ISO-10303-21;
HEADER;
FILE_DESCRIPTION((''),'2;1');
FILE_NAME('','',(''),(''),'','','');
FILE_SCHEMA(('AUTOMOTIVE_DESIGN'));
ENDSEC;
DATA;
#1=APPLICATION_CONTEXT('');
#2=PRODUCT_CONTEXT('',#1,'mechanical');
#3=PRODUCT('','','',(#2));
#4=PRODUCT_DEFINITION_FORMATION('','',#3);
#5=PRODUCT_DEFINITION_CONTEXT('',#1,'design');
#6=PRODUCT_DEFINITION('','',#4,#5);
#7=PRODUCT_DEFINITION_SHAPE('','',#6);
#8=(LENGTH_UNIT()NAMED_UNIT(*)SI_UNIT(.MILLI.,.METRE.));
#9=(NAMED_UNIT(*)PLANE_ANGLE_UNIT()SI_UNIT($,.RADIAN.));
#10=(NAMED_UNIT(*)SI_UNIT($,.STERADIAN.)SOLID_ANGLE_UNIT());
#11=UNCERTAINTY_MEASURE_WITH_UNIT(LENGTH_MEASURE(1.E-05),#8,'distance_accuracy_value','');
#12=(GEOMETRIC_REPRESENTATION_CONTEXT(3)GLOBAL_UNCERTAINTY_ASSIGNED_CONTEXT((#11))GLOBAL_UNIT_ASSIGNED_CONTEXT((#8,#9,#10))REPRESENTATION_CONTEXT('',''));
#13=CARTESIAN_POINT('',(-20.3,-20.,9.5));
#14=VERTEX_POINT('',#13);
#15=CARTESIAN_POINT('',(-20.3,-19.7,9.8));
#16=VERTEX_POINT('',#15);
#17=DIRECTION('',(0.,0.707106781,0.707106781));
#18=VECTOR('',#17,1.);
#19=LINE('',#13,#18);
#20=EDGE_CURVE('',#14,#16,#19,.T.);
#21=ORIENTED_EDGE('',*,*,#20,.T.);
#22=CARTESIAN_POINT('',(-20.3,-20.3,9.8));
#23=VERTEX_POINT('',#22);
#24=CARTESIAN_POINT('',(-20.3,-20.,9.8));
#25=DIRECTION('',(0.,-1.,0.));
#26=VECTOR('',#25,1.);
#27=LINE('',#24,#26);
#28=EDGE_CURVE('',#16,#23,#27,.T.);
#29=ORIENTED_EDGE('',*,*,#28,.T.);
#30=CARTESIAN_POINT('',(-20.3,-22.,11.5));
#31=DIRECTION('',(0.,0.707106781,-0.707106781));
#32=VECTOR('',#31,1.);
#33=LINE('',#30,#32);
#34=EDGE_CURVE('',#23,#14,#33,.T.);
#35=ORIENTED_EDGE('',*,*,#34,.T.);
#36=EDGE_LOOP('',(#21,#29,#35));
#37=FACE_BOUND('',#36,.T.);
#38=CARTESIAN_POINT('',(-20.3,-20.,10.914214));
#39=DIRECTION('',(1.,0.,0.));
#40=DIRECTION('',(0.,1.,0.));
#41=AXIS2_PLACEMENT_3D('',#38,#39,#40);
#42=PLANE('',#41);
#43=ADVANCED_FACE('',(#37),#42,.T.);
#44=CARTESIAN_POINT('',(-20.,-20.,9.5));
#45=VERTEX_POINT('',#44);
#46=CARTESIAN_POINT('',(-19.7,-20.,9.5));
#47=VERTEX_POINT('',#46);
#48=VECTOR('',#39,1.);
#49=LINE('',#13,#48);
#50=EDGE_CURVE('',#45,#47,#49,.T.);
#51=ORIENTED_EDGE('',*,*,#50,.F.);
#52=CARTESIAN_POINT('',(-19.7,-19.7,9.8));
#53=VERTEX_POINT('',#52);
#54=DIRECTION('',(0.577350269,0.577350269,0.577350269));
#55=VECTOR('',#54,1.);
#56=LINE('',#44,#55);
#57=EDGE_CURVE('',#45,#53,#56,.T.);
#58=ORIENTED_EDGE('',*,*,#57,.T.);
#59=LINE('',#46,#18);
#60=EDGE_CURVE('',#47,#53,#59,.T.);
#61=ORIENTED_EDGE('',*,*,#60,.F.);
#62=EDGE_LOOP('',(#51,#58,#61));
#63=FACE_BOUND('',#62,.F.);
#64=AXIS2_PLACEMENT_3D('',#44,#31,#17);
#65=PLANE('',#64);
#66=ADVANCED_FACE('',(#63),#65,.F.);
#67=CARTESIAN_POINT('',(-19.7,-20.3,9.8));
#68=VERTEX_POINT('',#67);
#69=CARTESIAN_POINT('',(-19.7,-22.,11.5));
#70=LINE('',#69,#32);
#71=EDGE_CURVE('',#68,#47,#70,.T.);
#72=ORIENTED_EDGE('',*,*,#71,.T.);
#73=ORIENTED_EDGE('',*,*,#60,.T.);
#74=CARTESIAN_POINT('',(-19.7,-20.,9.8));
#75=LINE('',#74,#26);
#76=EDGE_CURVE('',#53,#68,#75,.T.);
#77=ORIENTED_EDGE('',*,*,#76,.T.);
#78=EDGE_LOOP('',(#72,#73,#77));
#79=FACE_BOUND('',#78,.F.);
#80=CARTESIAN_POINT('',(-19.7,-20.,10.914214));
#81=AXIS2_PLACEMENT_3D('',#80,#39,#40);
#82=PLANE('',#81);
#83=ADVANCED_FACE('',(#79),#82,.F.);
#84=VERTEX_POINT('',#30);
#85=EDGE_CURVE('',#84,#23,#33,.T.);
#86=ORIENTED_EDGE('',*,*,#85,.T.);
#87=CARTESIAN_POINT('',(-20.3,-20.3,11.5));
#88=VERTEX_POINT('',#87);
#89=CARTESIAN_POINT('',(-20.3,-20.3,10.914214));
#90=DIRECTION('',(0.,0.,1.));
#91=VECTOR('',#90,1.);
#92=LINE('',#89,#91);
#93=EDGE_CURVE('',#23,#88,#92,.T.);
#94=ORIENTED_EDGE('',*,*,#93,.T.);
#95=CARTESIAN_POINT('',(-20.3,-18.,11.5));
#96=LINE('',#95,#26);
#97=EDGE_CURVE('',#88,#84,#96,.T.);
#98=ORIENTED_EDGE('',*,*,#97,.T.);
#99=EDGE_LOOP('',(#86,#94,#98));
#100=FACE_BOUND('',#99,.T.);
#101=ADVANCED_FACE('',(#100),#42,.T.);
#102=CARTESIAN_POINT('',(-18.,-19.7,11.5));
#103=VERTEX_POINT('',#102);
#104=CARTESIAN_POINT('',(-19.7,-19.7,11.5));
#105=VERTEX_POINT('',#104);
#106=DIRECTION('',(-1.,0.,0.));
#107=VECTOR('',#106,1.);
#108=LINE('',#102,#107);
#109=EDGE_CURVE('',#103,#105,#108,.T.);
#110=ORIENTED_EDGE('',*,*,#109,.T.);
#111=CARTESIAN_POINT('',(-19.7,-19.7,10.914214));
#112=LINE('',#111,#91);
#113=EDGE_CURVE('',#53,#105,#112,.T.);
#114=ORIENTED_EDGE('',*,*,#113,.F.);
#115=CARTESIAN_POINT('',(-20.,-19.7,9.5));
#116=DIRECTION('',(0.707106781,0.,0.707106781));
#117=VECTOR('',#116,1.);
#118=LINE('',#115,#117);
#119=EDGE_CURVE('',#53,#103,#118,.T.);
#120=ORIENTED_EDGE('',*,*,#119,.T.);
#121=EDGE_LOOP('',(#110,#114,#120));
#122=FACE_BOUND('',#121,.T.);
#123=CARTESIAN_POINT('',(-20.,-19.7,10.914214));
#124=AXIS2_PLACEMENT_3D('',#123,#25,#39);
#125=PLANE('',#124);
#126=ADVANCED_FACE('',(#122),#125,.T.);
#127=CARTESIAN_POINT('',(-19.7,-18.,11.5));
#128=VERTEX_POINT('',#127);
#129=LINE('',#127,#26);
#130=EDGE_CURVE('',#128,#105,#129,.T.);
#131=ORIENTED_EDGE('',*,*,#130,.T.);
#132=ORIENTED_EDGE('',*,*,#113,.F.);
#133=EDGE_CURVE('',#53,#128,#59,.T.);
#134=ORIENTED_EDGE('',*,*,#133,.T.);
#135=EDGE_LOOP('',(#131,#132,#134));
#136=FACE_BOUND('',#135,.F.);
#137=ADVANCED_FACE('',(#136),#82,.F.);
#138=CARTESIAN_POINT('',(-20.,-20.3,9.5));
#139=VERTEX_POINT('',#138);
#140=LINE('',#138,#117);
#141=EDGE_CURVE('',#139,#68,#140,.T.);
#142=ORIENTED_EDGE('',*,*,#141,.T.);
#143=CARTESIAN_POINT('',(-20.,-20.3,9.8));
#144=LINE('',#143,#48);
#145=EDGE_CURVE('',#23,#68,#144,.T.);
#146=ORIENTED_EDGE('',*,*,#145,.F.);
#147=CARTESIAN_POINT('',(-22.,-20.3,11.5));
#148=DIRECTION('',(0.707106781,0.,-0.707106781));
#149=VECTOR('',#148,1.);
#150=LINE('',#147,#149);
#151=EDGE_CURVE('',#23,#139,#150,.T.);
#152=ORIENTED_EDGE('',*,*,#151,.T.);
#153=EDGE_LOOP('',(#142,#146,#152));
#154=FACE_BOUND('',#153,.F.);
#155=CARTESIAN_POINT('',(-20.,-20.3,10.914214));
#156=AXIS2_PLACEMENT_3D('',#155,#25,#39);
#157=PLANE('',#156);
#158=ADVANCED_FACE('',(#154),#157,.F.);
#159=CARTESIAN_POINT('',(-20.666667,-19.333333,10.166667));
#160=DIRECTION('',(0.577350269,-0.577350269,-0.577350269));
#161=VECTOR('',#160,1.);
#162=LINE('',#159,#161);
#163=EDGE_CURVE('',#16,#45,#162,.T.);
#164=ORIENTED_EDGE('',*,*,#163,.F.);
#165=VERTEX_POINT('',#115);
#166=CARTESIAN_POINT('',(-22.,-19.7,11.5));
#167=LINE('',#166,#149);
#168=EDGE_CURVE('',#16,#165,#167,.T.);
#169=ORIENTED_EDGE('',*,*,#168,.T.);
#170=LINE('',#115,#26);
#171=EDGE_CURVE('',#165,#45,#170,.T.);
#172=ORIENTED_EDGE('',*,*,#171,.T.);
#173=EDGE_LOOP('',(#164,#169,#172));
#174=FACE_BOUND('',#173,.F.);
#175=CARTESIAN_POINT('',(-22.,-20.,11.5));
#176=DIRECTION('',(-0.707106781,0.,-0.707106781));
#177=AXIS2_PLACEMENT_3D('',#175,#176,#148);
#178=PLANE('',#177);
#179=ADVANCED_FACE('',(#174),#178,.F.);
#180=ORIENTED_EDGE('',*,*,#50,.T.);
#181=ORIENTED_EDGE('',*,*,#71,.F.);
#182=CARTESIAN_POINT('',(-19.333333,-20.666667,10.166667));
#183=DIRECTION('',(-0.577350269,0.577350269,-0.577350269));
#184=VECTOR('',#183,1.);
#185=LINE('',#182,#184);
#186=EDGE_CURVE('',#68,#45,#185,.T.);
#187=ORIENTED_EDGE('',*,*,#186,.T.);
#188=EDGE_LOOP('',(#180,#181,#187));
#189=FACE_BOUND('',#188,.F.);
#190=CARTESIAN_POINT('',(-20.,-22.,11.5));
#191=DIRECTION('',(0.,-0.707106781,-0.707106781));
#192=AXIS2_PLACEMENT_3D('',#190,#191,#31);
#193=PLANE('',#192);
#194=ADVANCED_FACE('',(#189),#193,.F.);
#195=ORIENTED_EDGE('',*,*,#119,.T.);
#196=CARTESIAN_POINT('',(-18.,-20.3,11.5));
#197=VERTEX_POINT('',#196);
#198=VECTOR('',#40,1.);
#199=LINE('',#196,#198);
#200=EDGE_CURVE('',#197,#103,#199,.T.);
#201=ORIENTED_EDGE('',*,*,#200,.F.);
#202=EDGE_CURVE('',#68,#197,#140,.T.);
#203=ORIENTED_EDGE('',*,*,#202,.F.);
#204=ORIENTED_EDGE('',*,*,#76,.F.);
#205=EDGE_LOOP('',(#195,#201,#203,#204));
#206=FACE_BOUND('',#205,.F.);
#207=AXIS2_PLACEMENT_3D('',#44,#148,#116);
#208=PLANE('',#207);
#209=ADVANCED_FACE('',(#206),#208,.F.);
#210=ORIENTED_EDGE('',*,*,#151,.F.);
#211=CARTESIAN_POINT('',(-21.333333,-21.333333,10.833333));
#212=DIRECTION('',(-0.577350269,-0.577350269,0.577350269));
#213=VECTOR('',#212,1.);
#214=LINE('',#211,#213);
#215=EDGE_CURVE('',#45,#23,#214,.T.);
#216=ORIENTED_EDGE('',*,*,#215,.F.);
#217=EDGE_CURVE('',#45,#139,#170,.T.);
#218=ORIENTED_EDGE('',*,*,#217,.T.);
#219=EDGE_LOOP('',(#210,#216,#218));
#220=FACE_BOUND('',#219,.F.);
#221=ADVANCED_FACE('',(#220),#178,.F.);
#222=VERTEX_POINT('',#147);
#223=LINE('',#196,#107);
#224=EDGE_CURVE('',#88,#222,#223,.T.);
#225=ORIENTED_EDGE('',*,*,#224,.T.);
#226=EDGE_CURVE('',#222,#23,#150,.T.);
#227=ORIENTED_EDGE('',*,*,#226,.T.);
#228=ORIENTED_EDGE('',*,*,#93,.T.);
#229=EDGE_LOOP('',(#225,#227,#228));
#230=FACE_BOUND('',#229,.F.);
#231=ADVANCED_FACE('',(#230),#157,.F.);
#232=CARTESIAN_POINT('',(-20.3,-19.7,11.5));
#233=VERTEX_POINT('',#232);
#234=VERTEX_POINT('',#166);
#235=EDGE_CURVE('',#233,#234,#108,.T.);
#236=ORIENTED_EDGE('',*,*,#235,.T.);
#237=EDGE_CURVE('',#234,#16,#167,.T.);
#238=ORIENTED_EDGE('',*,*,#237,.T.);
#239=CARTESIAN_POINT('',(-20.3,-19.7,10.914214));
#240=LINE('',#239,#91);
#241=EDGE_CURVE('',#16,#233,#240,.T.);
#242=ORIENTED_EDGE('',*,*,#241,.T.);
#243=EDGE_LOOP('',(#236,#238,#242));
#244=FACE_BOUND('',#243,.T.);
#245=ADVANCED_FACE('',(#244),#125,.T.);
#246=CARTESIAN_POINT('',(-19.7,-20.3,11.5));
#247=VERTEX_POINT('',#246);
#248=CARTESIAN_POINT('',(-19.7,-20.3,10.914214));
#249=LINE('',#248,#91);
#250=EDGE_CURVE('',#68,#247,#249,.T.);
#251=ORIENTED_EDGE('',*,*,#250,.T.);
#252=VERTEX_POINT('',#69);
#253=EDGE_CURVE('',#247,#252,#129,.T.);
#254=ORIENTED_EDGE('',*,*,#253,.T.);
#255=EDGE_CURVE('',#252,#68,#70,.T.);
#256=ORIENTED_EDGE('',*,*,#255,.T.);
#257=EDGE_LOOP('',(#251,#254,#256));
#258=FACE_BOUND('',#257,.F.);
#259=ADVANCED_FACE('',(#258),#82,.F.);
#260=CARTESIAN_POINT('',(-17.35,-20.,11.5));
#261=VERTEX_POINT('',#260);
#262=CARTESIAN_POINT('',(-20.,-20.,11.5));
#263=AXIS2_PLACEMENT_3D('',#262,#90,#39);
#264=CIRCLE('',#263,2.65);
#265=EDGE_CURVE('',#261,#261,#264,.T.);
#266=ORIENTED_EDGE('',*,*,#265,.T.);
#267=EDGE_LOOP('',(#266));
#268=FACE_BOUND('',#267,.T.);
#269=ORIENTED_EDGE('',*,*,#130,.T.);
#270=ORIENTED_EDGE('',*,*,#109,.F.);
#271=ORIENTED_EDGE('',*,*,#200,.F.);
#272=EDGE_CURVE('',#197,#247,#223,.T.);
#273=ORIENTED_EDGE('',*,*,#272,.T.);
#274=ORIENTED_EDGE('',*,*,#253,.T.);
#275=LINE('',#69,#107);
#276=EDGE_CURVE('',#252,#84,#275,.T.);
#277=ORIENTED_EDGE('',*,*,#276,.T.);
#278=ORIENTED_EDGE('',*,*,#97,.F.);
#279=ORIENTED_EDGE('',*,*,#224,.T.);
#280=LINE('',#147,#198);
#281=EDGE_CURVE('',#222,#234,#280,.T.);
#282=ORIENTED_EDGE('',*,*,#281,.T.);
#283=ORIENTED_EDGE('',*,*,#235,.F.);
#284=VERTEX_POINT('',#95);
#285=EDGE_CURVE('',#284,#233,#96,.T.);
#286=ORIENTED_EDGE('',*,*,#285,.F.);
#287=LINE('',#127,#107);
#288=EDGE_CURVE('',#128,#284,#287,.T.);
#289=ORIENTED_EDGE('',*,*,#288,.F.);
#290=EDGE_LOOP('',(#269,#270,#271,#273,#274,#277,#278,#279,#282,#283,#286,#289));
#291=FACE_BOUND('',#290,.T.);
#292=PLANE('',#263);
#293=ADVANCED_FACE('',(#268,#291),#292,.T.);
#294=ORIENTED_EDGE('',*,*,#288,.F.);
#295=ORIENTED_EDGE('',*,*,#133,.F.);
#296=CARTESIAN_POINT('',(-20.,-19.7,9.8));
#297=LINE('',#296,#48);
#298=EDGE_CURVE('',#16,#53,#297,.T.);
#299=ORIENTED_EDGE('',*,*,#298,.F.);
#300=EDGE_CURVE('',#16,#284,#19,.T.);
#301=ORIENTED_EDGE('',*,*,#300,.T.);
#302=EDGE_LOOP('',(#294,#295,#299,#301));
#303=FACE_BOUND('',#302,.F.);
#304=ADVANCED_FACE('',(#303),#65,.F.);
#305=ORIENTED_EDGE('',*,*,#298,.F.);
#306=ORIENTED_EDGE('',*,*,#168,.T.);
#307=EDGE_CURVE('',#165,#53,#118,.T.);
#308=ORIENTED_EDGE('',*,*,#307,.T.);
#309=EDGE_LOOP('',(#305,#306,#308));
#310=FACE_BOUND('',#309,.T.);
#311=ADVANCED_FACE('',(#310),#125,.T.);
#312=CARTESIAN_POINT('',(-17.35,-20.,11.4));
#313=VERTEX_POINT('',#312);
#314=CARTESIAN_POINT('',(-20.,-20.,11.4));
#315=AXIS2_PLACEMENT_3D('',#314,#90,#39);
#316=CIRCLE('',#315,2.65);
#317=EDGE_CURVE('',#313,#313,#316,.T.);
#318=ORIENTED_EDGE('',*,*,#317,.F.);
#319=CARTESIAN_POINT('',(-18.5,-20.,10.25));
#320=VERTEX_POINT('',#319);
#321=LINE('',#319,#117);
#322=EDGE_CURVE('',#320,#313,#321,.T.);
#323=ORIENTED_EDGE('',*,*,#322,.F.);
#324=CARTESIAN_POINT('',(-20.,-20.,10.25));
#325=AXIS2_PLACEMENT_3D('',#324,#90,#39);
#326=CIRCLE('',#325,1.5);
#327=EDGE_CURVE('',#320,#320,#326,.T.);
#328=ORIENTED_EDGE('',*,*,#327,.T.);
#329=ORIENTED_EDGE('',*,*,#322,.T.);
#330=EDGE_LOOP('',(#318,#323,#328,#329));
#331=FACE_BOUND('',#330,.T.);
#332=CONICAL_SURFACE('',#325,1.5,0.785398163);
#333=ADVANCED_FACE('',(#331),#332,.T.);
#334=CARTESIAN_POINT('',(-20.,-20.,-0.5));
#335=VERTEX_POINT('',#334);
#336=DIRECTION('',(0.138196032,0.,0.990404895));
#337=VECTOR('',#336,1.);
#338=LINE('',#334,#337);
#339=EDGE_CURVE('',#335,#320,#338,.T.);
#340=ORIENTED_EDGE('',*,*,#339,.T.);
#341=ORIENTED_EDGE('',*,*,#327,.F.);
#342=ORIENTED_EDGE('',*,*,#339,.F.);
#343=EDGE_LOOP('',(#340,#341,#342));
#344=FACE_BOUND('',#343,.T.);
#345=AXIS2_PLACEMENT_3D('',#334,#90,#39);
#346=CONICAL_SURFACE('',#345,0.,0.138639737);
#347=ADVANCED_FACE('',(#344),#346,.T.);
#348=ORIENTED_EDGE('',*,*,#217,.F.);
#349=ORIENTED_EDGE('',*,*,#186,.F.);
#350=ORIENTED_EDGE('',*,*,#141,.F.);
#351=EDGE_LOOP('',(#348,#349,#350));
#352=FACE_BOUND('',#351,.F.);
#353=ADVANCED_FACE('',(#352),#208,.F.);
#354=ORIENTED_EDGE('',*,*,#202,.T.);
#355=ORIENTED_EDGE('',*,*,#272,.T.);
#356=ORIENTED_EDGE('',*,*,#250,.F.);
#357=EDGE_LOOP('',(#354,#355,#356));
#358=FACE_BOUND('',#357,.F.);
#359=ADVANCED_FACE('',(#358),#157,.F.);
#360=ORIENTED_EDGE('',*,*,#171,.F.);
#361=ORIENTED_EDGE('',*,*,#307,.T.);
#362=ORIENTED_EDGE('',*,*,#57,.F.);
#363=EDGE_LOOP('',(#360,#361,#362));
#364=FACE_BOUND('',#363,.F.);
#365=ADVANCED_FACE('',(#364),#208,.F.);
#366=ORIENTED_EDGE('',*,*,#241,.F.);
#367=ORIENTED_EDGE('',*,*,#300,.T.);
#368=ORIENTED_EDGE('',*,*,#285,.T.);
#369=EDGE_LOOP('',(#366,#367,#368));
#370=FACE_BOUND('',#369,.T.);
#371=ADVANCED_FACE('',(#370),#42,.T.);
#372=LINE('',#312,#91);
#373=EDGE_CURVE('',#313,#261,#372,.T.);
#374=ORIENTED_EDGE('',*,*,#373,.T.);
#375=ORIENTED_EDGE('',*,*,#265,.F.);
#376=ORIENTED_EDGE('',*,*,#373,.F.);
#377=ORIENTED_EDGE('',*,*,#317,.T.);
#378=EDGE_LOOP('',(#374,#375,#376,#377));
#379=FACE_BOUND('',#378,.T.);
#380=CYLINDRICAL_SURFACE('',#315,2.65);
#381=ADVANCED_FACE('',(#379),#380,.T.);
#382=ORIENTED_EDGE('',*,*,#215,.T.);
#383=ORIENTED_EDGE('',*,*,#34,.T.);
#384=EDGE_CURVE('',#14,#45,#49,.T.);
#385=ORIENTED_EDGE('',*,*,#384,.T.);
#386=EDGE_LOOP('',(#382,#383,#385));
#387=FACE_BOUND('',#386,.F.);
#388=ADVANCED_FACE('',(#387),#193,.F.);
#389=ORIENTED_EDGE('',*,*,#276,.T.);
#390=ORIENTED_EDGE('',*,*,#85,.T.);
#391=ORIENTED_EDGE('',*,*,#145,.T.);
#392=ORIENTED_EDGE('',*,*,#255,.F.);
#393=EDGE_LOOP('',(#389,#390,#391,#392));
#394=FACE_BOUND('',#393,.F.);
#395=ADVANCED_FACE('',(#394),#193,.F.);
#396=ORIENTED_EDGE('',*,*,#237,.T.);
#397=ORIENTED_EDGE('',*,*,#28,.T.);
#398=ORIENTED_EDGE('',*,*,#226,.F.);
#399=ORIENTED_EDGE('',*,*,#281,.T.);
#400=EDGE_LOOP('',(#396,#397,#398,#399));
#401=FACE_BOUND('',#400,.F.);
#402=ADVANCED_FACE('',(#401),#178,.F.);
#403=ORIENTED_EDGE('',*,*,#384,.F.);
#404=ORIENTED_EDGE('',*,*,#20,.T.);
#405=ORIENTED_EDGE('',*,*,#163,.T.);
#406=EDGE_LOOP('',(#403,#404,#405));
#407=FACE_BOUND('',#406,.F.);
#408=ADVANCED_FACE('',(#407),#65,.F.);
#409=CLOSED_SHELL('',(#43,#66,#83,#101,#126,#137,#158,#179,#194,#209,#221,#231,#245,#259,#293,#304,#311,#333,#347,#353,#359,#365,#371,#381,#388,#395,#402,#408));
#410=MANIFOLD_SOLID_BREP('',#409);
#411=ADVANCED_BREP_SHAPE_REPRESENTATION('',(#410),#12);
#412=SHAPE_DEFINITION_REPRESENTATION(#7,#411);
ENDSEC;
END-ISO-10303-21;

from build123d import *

# Parameters (mm, degrees)
POCKET002_DEPTH       = 0.3
POLARPATTERN001_COUNT = 2
POLARPATTERN001_ANGLE = 90


with BuildPart() as part:
    # Sketch015 → Revolution001 (revolve)
    with BuildSketch(Plane.XZ):
        Polygon((0, 0), (0, -12), (1.5, -1.25), (2.65, -0.1), (2.65, 0), align=None)
    revolve(axis=Axis((0, 0, 0), (0, 0, 1)))

    # Sketch016 → Pocket002 (cut, symmetric)
    with BuildSketch(Plane.XZ):
        Polygon((-2, 0), (0, -2), (2, 0), align=None)
    pocket002 = extrude(amount=POCKET002_DEPTH, both=True, mode=Mode.SUBTRACT)

    # PolarPattern001: Pocket002 ×2 about axis
    polarpattern001_axis = Axis((0, 0, 0), (0, 0, 1))
    for i in range(1, POLARPATTERN001_COUNT):
        add(pocket002.rotate(polarpattern001_axis, i * POLARPATTERN001_ANGLE / (POLARPATTERN001_COUNT - 1)), mode=Mode.SUBTRACT)


with BuildPart() as part_1:
    # Body012 placement: moved
    add(part.part.moved(Location((-20, -20, 11.5))))


solid = part_1.part
